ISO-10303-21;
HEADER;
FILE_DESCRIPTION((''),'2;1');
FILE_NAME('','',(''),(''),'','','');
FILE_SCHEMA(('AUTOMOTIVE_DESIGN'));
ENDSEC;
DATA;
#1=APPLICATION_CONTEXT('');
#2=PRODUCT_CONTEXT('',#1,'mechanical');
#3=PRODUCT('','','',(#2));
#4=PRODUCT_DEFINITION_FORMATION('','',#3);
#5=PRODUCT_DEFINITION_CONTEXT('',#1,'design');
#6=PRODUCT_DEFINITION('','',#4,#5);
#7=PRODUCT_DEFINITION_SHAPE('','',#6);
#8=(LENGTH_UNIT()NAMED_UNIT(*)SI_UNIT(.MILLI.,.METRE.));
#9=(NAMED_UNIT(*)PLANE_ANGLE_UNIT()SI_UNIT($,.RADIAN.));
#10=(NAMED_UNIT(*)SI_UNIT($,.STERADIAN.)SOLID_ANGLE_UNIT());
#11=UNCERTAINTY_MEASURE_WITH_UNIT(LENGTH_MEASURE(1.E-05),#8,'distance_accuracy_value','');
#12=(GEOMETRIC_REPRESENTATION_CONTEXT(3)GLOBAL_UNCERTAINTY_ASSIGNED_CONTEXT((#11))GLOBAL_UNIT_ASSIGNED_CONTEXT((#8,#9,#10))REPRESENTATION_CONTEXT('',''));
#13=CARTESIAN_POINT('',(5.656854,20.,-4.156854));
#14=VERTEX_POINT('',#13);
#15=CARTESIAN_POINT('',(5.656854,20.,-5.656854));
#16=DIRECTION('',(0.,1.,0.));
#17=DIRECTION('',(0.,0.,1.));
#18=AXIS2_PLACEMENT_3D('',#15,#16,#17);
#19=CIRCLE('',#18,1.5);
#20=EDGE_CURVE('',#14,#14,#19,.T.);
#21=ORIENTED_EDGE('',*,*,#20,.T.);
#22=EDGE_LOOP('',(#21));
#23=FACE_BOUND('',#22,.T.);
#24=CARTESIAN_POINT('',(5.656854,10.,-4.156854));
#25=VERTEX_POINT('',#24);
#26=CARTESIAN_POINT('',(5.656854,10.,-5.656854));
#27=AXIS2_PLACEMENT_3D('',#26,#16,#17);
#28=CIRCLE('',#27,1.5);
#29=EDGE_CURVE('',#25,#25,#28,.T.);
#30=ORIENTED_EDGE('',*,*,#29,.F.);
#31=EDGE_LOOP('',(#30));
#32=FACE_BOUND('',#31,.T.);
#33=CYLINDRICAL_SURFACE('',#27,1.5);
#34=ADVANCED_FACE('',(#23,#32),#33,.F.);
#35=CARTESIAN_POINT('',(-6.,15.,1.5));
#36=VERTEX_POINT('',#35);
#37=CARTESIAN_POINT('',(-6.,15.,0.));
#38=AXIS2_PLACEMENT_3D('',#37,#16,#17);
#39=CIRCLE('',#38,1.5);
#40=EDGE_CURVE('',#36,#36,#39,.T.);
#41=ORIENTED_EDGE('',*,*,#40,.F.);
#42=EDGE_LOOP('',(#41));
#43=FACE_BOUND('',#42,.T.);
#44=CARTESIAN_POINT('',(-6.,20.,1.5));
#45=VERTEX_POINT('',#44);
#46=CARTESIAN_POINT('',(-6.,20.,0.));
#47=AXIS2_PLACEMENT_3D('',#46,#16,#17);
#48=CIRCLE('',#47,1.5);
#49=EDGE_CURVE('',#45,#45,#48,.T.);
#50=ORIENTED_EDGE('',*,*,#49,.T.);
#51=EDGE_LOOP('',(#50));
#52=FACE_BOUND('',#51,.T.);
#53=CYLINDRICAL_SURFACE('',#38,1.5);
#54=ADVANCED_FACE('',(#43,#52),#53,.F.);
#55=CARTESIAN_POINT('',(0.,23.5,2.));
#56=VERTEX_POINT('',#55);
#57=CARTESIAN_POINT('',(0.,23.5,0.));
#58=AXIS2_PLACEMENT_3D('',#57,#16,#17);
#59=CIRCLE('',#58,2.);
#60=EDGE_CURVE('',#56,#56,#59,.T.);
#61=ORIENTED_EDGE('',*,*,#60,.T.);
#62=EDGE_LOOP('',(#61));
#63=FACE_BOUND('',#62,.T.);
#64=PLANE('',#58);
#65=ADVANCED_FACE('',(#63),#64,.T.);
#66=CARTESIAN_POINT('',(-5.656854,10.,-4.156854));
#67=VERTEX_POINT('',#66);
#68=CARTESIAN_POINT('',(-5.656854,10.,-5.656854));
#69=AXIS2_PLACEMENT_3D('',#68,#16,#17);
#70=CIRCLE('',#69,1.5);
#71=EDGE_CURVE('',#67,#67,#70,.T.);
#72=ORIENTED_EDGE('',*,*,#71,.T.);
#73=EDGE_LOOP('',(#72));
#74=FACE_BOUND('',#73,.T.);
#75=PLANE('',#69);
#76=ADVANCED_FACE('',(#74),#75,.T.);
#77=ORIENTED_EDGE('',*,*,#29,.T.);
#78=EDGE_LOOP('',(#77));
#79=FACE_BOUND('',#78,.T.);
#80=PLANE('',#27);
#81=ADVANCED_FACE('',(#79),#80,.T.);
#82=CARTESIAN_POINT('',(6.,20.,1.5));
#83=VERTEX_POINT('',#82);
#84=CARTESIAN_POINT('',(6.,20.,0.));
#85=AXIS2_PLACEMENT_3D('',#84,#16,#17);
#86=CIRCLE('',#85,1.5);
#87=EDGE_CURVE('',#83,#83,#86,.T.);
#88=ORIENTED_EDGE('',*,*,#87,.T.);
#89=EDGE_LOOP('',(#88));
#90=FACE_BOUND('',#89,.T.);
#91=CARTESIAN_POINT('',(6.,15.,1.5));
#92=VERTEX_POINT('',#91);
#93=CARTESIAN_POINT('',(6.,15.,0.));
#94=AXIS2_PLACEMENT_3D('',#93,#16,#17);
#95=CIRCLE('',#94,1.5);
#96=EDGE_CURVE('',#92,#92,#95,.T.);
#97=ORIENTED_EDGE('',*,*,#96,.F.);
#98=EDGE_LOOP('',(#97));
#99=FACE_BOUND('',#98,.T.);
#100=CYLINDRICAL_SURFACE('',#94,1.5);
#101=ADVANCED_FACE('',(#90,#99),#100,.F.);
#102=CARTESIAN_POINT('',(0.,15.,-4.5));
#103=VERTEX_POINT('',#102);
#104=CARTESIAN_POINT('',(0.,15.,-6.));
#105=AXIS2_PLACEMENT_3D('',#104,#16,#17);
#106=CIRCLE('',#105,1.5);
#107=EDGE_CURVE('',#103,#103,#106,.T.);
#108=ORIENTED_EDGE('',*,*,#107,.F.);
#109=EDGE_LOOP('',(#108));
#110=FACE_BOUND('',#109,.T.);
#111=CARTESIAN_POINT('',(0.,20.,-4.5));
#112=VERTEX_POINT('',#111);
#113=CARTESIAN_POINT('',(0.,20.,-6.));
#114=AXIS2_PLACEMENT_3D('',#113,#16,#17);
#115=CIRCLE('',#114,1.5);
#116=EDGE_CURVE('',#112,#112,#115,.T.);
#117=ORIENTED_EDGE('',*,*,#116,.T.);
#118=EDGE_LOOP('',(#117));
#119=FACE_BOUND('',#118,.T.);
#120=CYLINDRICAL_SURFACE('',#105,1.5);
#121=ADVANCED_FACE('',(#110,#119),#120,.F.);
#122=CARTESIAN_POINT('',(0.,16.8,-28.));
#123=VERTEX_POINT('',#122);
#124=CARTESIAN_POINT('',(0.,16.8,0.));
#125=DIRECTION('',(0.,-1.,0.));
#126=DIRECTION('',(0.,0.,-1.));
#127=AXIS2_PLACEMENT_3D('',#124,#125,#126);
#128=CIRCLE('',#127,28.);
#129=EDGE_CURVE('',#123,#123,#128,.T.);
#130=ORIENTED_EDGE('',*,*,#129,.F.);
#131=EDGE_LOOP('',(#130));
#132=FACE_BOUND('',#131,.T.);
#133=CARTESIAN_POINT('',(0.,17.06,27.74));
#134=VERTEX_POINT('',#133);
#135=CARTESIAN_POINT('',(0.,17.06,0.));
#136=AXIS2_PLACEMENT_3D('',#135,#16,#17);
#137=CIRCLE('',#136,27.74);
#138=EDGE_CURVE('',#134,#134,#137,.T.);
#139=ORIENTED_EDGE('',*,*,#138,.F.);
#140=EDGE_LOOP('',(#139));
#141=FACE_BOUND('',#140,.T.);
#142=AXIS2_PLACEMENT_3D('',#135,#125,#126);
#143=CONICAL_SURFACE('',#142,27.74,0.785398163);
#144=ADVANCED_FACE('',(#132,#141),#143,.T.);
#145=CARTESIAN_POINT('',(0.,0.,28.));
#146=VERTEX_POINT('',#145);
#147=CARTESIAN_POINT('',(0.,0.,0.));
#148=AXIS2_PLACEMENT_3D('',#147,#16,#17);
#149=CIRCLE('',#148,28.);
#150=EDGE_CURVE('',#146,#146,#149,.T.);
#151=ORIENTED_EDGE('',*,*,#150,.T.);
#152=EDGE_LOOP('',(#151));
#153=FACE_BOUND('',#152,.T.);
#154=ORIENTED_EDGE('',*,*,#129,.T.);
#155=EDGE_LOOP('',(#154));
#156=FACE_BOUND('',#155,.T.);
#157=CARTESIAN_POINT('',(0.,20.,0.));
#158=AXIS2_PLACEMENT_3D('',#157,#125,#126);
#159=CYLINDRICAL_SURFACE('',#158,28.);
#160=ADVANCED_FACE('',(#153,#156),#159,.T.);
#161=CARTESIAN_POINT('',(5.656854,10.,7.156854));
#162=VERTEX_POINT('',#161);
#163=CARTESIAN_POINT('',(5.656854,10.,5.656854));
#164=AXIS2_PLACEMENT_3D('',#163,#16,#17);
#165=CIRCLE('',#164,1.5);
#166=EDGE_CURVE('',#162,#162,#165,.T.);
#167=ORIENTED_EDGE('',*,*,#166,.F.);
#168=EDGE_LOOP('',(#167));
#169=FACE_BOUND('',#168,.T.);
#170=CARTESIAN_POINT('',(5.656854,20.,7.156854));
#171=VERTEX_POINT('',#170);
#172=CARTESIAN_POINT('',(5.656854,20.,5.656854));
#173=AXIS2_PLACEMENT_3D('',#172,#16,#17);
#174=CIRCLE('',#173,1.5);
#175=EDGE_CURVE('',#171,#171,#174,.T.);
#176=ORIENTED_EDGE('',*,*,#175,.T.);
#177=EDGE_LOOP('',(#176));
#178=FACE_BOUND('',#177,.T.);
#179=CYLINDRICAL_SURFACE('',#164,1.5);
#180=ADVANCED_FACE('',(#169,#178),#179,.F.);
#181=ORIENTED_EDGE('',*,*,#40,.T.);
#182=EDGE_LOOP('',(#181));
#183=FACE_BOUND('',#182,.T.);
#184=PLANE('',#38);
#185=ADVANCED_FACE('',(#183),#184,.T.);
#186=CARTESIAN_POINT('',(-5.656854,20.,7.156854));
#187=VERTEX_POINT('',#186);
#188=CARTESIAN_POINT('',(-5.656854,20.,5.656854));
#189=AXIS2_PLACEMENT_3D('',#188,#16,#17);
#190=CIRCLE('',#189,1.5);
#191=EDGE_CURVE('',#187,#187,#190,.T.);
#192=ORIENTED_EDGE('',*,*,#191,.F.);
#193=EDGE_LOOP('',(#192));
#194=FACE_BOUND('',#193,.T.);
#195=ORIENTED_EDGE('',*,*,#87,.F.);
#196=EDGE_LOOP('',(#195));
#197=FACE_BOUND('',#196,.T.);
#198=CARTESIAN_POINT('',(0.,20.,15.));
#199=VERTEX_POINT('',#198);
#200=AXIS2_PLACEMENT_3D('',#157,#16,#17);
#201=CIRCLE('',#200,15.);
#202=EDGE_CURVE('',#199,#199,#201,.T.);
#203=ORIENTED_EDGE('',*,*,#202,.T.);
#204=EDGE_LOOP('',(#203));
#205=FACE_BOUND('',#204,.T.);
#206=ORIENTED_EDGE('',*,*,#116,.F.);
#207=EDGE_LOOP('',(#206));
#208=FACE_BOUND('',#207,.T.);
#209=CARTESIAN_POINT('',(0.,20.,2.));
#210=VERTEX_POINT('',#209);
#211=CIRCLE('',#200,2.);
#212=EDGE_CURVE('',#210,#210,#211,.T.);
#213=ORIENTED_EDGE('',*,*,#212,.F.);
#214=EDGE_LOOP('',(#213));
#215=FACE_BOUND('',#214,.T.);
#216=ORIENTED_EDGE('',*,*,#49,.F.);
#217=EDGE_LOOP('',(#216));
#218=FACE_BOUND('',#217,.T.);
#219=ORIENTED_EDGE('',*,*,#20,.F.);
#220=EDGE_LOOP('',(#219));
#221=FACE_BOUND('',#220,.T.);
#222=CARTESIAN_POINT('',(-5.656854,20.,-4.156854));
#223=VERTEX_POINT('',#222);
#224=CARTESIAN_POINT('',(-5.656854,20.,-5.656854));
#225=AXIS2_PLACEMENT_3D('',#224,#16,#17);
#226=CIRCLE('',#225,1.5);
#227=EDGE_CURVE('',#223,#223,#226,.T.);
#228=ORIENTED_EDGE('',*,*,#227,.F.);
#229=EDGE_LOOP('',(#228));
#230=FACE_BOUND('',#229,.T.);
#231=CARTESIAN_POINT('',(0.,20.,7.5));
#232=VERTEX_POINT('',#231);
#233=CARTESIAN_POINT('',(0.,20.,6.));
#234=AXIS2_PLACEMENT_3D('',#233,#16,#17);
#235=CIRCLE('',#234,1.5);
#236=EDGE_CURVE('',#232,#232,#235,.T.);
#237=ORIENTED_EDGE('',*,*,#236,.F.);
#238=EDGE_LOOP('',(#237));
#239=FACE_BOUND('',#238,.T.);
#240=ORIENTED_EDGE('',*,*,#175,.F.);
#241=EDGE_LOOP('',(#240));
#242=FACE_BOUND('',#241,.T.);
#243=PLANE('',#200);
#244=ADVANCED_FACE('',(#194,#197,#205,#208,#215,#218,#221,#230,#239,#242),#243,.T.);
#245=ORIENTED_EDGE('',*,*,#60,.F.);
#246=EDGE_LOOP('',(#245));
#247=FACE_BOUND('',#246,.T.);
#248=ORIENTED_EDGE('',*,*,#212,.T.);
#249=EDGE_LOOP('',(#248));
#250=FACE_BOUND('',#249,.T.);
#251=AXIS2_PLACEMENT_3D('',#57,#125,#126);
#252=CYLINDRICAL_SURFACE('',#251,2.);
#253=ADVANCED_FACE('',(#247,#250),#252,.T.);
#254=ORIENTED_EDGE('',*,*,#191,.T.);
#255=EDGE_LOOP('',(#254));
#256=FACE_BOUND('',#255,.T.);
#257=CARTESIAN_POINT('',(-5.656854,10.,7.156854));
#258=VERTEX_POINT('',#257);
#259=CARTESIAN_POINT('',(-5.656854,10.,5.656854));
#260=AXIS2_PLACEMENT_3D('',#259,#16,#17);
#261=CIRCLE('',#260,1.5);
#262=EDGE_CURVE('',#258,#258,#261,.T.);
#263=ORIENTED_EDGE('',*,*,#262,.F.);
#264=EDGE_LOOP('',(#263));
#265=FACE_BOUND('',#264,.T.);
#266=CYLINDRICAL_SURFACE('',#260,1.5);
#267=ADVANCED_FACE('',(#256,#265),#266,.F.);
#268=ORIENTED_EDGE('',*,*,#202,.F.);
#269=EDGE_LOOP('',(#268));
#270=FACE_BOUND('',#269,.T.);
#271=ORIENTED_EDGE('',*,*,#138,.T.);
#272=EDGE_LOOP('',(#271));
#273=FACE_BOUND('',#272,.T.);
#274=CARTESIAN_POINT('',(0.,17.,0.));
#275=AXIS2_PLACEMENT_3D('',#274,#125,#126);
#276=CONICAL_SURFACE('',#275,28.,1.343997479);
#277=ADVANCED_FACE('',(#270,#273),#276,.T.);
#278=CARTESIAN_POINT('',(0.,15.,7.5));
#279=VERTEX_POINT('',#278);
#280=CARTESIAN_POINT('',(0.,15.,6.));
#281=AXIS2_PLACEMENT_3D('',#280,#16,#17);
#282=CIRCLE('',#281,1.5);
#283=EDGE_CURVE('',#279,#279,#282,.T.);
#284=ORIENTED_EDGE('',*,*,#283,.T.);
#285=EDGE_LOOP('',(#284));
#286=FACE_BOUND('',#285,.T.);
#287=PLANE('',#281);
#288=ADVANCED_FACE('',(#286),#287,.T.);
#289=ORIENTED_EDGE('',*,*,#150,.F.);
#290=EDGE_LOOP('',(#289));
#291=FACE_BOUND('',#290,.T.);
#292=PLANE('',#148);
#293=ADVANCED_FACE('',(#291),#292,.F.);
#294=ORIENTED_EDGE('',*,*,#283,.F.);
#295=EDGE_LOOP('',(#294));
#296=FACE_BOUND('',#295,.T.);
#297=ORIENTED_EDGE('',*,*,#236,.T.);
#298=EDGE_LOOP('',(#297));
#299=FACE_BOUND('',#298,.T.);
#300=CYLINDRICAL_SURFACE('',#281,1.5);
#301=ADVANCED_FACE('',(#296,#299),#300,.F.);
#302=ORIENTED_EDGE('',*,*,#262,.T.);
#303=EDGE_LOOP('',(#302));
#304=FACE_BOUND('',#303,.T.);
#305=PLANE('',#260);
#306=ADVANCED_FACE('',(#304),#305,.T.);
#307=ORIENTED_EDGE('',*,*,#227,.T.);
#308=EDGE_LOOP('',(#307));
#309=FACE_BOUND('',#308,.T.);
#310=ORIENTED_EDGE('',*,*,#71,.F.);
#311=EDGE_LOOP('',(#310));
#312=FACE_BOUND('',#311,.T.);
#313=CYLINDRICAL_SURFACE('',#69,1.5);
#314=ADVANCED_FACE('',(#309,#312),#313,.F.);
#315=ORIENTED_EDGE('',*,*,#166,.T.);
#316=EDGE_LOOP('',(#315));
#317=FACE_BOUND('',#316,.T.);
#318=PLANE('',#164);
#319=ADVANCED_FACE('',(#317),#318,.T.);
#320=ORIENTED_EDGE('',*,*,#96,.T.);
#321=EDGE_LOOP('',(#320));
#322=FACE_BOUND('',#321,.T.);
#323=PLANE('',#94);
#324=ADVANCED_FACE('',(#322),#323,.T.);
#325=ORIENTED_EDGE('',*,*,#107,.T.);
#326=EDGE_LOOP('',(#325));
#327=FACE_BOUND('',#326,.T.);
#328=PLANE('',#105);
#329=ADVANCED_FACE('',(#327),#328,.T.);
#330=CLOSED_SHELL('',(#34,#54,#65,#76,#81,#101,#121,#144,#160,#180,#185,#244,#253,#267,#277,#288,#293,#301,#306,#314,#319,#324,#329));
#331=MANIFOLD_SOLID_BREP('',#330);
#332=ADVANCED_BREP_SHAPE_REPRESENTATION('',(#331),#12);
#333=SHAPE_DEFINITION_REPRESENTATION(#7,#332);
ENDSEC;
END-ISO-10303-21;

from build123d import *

# Parameters (mm, degrees)
ESQUISSE1_R             = 28
BOSS_EXTRU_1_DEPTH      = 20
CHANFREIN1_SIZE         = 0.2
CHANFREIN1_SIZE2        = 0.266833281
ESQUISSE3_R             = 2
BOSS_EXTRU_2_DEPTH      = 3.5
ESQUISSE4_R             = 1.5
ENL_V_MAT_EXTRU_1_DEPTH = 5
ESQUISSE5_R             = 1.5
ENL_V_MAT_EXTRU_2_DEPTH = 10


with BuildPart() as part:
    # Esquisse1 → Boss.-Extru.1 (new body)
    with BuildSketch(Plane(origin=(0, 0, 0), x_dir=(1, 0, 0), z_dir=(0, 1, 0))):
        with Locations(Location((0, 0, 0), (0, 0, 270))):
            Circle(ESQUISSE1_R)
    extrude(amount=BOSS_EXTRU_1_DEPTH)

    # Esquisse2 → Enlèvement de matière-Révolution1 (revolve, cut)
    with BuildSketch(Plane(origin=(0, 0, 0), x_dir=(0, 0, -1), z_dir=(1, 0, 0))):
        Polygon((-28, 20), (-28, 17), (-15, 20), align=None)
    revolve(axis=Axis((0, 20, 0), (0, -1, 0)), mode=Mode.SUBTRACT)

    # Chanfrein1
    chanfrein1_edges = [part.edges().sort_by_distance(p)[0] for p in [
        (0, 17, -28),
    ]]
    chanfrein1_side = [part.faces().sort_by_distance(p)[0] for p in [
        (0, 8.5, -28),
    ]]
    chamfer(chanfrein1_edges, length=CHANFREIN1_SIZE, length2=CHANFREIN1_SIZE2, reference=chanfrein1_side[0])

    # Esquisse3 → Boss.-Extru.2 (add)
    with BuildSketch(Plane(origin=(0, 20, 0), x_dir=(1, 0, 0), z_dir=(0, 1, 0))):
        with Locations(Location((0, 0, 0), (0, 0, 270))):
            Circle(ESQUISSE3_R)
    extrude(amount=BOSS_EXTRU_2_DEPTH)

    # Esquisse4 → Enlèv. mat.-Extru.1 (cut)
    with BuildSketch(Plane(origin=(0, 20, 0), x_dir=(1, 0, 0), z_dir=(0, 1, 0))):
        with Locations(Location((0, 6, 0), (0, 0, 270))):
            Circle(ESQUISSE4_R)
        with Locations(Location((6, 0, 0), (0, 0, 270))):
            Circle(ESQUISSE4_R)
        with Locations(Location((0, -6, 0), (0, 0, 270))):
            Circle(ESQUISSE4_R)
        with Locations(Location((-6, 0, 0), (0, 0, 270))):
            Circle(ESQUISSE4_R)
    extrude(amount=-ENL_V_MAT_EXTRU_1_DEPTH, mode=Mode.SUBTRACT)

    # Esquisse5 → Enlèv. mat.-Extru.2 (cut)
    with BuildSketch(Plane(origin=(0, 20, 0), x_dir=(1, 0, 0), z_dir=(0, 1, 0))):
        with Locations(Location((-5.656854249, 5.656854249, 0), (0, 0, 270))):
            Circle(ESQUISSE5_R)
        with Locations(Location((5.656854249, 5.656854249, 0), (0, 0, 270))):
            Circle(ESQUISSE5_R)
        with Locations(Location((5.656854249, -5.656854249, 0), (0, 0, 270))):
            Circle(ESQUISSE5_R)
        with Locations(Location((-5.656854249, -5.656854249, 0), (0, 0, 270))):
            Circle(ESQUISSE5_R)
    extrude(amount=-ENL_V_MAT_EXTRU_2_DEPTH, mode=Mode.SUBTRACT)


solid = part.part
